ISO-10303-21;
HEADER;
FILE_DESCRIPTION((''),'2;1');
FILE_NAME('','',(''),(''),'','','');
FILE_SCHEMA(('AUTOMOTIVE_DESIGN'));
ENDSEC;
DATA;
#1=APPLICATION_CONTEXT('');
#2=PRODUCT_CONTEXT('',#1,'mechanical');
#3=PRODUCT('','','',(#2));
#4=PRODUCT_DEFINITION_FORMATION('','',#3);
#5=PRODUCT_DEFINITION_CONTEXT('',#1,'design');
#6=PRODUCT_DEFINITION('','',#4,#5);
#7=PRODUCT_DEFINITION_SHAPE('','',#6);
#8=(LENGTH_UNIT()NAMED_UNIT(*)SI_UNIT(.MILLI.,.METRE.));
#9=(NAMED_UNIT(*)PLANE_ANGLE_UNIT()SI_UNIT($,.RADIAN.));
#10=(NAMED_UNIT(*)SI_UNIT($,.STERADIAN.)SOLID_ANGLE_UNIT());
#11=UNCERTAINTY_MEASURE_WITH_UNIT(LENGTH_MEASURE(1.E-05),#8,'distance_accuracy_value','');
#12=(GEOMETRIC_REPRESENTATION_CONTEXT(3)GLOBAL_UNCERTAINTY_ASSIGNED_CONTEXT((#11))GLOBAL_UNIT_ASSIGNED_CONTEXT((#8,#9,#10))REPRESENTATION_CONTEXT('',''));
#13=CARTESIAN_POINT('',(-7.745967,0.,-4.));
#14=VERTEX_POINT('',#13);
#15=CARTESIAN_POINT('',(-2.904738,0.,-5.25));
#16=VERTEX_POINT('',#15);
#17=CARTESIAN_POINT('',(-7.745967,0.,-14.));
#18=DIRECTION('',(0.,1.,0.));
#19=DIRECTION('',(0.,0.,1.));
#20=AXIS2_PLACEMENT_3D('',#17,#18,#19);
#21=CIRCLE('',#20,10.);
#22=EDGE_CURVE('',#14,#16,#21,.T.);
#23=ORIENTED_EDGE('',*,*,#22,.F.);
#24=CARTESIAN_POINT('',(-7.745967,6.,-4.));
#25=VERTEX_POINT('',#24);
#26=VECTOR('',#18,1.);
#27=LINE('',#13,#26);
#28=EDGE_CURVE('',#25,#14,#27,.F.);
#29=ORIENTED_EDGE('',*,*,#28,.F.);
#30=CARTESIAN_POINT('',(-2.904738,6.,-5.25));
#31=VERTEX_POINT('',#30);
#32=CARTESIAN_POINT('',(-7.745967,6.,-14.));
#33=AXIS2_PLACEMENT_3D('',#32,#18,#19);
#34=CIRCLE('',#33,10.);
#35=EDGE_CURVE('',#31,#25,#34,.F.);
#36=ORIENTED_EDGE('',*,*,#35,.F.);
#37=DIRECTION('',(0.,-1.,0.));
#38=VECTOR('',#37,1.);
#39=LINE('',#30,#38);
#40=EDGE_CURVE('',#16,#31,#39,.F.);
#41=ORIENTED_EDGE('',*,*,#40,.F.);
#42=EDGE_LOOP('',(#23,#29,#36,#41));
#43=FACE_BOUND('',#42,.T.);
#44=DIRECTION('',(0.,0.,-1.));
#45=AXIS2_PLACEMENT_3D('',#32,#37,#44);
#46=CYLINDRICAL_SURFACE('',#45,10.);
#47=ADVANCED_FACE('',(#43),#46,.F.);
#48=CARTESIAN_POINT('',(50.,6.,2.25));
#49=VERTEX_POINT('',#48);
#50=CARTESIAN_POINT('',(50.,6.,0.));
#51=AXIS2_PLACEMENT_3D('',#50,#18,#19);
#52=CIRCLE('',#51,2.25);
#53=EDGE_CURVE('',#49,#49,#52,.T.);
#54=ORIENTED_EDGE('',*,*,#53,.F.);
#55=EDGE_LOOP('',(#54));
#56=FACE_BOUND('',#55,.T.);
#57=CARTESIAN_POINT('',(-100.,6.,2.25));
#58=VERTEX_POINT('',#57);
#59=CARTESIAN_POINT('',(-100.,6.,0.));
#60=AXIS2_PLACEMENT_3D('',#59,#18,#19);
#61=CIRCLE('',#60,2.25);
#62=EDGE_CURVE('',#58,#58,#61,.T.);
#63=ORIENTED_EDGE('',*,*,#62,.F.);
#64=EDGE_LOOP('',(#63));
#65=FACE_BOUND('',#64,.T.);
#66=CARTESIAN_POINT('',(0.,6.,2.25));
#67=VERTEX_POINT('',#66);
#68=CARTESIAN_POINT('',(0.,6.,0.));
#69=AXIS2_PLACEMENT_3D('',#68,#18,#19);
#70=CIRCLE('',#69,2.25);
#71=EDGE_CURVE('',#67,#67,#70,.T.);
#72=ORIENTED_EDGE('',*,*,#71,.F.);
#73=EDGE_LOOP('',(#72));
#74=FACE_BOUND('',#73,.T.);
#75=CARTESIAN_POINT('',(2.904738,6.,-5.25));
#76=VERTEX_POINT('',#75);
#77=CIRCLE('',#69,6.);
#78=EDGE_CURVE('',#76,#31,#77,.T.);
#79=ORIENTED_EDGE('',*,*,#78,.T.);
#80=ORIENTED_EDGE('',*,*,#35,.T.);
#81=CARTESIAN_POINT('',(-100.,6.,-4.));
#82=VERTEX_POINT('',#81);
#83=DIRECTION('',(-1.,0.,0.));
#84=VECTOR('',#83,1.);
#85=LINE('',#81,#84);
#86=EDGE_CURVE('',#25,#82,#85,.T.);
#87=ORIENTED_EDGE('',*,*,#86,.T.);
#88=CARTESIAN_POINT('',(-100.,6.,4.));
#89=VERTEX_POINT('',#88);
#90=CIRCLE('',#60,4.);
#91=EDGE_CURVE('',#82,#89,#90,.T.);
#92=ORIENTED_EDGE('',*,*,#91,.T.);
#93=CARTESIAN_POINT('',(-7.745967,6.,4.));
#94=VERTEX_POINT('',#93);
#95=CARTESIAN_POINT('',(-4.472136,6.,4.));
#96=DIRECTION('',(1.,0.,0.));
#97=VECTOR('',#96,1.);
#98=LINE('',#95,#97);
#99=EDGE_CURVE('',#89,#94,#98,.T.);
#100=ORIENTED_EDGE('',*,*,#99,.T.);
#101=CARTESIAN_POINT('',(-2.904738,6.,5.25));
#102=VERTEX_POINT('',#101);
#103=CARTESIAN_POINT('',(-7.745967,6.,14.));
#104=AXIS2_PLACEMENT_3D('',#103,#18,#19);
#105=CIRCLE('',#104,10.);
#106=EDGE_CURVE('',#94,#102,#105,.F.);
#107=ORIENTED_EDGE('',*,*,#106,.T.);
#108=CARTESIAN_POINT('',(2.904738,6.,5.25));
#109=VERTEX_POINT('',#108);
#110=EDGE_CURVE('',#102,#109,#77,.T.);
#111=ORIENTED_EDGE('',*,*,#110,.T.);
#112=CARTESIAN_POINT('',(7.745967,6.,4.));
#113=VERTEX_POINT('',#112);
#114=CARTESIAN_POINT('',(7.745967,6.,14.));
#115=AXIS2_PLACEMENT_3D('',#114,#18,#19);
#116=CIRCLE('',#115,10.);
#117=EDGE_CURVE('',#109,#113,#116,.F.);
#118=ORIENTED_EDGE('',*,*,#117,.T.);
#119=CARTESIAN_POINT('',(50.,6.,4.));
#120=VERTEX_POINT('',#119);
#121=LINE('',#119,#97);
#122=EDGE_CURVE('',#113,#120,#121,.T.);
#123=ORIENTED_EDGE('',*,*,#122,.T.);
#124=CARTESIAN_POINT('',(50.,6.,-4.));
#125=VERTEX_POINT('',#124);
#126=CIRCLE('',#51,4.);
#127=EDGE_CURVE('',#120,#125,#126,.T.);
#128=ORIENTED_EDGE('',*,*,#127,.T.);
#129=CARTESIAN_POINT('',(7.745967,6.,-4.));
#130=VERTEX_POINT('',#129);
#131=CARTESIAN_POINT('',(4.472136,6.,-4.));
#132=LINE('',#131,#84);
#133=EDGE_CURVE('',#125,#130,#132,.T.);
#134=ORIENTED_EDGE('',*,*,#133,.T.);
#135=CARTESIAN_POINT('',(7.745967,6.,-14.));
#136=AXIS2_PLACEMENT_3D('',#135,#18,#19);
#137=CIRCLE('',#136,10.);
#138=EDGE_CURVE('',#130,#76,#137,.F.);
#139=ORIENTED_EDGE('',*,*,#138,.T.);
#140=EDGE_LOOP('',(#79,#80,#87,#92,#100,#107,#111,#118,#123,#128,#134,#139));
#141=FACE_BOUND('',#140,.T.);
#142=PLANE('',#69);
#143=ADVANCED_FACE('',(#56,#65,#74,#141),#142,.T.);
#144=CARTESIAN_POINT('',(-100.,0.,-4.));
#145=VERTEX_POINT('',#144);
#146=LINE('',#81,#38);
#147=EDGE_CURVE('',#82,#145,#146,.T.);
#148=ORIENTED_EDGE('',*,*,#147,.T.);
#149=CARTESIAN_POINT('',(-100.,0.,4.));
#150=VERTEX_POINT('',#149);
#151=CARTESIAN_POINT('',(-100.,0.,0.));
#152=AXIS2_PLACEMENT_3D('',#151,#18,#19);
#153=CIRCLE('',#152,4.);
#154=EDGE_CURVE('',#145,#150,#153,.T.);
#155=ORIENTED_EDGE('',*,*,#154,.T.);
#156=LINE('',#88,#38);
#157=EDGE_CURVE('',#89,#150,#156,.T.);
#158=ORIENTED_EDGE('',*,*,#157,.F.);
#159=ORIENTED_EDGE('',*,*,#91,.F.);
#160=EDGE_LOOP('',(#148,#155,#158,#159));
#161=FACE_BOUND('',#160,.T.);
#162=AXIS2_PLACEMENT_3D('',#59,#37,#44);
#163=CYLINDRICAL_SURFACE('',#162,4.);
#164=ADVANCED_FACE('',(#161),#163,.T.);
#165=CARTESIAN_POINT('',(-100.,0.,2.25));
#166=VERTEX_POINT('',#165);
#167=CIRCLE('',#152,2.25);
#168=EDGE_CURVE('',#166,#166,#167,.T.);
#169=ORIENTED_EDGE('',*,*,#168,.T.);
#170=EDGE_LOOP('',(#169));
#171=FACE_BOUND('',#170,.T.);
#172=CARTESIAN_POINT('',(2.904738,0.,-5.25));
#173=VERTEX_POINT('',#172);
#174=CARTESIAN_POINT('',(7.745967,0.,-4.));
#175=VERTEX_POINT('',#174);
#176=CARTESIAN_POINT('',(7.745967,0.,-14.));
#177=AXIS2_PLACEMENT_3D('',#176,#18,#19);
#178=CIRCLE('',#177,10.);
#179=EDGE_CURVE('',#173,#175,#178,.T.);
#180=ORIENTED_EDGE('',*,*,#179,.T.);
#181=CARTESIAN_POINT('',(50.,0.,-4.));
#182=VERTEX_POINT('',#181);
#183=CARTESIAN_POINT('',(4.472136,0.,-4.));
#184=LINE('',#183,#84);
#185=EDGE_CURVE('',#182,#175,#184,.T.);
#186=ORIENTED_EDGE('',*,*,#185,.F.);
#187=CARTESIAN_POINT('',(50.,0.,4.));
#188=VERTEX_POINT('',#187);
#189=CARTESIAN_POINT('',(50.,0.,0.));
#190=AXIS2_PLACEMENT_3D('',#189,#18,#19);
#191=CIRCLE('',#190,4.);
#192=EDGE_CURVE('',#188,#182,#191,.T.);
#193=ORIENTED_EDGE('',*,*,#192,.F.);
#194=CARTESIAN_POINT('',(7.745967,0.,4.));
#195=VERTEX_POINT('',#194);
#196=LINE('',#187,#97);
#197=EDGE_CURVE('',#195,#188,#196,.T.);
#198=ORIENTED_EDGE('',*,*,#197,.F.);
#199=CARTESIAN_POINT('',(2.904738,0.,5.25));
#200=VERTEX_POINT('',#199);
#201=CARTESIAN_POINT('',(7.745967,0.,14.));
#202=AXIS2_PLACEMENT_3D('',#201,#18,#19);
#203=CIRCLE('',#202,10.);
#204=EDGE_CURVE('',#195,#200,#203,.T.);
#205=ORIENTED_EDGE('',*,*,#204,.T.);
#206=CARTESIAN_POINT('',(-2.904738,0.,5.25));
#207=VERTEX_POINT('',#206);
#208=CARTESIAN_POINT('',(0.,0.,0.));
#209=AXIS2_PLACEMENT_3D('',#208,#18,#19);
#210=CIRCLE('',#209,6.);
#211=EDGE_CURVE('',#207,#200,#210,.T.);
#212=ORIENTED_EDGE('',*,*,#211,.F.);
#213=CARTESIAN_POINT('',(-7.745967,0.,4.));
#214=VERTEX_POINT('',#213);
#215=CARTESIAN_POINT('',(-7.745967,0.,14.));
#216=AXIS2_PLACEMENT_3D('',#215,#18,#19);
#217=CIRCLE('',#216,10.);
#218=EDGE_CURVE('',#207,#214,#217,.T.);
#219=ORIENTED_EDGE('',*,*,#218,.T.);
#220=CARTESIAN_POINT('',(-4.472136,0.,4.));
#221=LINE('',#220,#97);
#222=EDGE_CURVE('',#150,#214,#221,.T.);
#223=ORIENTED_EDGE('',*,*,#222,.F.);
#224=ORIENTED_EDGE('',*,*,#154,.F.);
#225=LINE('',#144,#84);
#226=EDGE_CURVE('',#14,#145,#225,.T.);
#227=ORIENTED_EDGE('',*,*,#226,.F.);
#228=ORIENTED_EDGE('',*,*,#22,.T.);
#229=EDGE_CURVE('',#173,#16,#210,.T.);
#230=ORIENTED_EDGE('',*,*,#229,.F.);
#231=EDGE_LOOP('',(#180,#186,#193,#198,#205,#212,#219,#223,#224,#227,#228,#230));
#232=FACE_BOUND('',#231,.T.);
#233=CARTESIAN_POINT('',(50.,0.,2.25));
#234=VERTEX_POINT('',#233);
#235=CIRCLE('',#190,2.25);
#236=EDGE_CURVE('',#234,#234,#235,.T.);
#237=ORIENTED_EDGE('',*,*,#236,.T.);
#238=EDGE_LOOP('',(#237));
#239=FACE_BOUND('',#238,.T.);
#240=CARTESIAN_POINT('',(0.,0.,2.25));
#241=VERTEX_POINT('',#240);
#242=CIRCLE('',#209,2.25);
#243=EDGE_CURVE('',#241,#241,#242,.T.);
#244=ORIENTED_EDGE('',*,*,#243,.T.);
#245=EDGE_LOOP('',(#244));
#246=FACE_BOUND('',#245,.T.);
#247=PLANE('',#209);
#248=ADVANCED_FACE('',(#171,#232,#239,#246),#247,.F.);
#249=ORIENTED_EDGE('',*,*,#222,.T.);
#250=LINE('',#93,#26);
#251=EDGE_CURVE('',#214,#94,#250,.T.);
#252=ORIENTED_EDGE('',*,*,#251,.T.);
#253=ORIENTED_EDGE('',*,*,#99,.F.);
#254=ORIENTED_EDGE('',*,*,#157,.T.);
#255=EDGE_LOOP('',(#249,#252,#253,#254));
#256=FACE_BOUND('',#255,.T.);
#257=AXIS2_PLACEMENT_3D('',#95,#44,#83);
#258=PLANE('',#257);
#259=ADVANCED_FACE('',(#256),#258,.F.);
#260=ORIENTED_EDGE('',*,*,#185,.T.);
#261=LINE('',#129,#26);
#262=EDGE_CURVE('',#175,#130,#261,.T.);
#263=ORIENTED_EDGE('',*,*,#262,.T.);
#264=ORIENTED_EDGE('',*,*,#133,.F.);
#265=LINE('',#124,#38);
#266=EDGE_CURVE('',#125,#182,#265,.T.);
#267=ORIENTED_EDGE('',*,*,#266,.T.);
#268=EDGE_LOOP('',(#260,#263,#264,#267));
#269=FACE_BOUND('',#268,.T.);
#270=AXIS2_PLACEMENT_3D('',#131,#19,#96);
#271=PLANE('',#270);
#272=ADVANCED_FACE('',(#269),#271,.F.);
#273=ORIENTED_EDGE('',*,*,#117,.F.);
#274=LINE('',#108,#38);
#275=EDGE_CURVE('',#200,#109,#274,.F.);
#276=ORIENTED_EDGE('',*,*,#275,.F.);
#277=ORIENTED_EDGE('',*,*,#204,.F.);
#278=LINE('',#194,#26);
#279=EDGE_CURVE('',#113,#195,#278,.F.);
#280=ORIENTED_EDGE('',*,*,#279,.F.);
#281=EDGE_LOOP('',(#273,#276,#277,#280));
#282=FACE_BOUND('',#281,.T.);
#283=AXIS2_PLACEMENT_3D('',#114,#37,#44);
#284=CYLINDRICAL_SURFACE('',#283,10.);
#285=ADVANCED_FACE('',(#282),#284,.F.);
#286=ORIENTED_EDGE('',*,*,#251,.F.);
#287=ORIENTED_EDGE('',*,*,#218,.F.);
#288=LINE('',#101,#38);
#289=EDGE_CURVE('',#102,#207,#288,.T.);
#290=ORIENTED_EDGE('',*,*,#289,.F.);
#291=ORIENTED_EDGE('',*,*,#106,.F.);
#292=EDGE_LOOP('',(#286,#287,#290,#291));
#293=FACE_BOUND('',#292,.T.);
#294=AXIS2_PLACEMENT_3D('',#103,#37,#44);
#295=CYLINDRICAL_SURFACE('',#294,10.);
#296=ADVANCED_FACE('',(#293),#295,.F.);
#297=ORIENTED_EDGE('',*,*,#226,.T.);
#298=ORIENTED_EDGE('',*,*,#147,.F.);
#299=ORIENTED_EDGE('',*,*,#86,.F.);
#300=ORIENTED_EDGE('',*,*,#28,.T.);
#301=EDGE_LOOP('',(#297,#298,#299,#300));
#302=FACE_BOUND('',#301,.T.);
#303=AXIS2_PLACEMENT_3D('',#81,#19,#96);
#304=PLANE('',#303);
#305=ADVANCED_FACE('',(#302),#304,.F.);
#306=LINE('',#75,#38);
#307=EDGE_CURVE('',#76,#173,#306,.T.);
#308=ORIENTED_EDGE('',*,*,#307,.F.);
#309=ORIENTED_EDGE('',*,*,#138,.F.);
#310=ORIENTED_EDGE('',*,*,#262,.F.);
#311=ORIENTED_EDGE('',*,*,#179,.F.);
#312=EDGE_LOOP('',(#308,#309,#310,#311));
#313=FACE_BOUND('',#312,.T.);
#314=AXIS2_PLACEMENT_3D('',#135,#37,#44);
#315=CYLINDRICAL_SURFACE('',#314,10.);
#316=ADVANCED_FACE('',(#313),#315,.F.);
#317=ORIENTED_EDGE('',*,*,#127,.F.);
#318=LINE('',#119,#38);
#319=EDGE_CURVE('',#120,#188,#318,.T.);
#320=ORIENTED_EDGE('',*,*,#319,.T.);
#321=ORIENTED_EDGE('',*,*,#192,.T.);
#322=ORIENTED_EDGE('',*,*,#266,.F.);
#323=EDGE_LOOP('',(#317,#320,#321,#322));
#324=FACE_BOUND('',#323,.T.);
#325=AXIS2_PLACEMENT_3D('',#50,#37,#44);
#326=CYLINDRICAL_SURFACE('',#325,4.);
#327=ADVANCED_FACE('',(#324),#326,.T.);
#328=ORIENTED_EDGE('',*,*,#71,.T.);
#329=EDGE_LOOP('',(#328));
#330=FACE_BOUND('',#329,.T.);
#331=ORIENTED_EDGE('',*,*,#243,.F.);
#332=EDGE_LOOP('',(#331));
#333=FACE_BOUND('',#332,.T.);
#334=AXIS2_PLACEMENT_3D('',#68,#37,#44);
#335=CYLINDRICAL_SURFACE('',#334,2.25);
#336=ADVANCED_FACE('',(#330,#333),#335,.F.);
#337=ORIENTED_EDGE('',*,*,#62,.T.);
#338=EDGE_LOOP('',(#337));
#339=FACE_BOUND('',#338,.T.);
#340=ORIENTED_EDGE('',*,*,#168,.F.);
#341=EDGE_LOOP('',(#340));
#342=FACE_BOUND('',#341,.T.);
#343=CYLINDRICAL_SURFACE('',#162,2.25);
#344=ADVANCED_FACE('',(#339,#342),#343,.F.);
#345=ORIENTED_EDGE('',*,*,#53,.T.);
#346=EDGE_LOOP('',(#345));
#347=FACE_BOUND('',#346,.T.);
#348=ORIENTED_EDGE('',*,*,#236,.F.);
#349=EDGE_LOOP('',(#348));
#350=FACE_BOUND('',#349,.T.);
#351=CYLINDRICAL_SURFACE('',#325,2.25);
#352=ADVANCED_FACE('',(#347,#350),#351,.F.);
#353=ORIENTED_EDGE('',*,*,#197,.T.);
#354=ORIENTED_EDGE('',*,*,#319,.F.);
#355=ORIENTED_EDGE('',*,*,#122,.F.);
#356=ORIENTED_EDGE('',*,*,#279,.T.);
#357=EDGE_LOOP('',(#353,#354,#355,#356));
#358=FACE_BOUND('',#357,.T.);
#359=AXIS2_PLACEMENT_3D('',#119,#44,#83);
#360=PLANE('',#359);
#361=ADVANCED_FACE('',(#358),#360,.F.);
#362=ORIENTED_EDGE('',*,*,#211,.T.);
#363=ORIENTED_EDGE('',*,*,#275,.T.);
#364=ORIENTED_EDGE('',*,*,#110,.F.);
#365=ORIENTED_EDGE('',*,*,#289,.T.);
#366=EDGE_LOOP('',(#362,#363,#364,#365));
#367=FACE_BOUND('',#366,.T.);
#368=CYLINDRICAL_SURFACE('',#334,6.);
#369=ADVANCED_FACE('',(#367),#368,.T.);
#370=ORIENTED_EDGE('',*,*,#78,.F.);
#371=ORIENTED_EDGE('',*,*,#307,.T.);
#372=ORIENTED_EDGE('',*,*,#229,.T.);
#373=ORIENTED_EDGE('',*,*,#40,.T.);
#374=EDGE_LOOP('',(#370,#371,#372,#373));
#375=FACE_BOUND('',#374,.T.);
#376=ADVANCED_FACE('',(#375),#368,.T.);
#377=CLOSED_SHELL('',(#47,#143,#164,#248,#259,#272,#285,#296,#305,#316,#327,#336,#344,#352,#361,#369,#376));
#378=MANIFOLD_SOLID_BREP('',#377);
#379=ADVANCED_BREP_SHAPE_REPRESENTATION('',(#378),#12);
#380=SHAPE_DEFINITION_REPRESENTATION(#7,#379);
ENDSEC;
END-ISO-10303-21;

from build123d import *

# Parameters (mm, degrees)
SKETCH1_R           = 2.25
BOSS_EXTRUDE1_DEPTH = 6
FILLET1_R           = 10


with BuildPart() as part:
    # Sketch1 → Boss-Extrude1 (new body)
    with BuildSketch(Plane(origin=(0, 0, 0), x_dir=(1, 0, 0), z_dir=(0, 1, 0))):
        with BuildLine():
            Line((-100, 4), (-4.472135955, 4))
            ThreePointArc((-4.472135955, 4), (0, 6), (4.472135955, 4))
            Line((4.472135955, 4), (50, 4))
            ThreePointArc((50, 4), (54, 0), (50, -4))
            Line((50, -4), (4.472135955, -4))
            ThreePointArc((4.472135955, -4), (0, -6), (-4.472135955, -4))
            Line((-4.472135955, -4), (-100, -4))
            ThreePointArc((-100, -4), (-104, 0), (-100, 4))
        make_face()
        with Locations(Location((0, 0, 0), (0, 0, 270))):
            Circle(SKETCH1_R, mode=Mode.SUBTRACT)
        with Locations(Location((50, 0, 0), (0, 0, 270))):
            Circle(SKETCH1_R, mode=Mode.SUBTRACT)
        with Locations(Location((-100, 0, 0), (0, 0, 270))):
            Circle(SKETCH1_R, mode=Mode.SUBTRACT)
    extrude(amount=BOSS_EXTRUDE1_DEPTH)

    # Fillet1
    fillet1_edges = [part.edges().sort_by_distance(p)[0] for p in [
        (4.472135955, 3, -4),
        (4.472135955, 3, 4),
        (-4.472135955, 3, 4),
        (-4.472135955, 3, -4),
    ]]
    fillet(fillet1_edges, radius=FILLET1_R)


solid = part.part
